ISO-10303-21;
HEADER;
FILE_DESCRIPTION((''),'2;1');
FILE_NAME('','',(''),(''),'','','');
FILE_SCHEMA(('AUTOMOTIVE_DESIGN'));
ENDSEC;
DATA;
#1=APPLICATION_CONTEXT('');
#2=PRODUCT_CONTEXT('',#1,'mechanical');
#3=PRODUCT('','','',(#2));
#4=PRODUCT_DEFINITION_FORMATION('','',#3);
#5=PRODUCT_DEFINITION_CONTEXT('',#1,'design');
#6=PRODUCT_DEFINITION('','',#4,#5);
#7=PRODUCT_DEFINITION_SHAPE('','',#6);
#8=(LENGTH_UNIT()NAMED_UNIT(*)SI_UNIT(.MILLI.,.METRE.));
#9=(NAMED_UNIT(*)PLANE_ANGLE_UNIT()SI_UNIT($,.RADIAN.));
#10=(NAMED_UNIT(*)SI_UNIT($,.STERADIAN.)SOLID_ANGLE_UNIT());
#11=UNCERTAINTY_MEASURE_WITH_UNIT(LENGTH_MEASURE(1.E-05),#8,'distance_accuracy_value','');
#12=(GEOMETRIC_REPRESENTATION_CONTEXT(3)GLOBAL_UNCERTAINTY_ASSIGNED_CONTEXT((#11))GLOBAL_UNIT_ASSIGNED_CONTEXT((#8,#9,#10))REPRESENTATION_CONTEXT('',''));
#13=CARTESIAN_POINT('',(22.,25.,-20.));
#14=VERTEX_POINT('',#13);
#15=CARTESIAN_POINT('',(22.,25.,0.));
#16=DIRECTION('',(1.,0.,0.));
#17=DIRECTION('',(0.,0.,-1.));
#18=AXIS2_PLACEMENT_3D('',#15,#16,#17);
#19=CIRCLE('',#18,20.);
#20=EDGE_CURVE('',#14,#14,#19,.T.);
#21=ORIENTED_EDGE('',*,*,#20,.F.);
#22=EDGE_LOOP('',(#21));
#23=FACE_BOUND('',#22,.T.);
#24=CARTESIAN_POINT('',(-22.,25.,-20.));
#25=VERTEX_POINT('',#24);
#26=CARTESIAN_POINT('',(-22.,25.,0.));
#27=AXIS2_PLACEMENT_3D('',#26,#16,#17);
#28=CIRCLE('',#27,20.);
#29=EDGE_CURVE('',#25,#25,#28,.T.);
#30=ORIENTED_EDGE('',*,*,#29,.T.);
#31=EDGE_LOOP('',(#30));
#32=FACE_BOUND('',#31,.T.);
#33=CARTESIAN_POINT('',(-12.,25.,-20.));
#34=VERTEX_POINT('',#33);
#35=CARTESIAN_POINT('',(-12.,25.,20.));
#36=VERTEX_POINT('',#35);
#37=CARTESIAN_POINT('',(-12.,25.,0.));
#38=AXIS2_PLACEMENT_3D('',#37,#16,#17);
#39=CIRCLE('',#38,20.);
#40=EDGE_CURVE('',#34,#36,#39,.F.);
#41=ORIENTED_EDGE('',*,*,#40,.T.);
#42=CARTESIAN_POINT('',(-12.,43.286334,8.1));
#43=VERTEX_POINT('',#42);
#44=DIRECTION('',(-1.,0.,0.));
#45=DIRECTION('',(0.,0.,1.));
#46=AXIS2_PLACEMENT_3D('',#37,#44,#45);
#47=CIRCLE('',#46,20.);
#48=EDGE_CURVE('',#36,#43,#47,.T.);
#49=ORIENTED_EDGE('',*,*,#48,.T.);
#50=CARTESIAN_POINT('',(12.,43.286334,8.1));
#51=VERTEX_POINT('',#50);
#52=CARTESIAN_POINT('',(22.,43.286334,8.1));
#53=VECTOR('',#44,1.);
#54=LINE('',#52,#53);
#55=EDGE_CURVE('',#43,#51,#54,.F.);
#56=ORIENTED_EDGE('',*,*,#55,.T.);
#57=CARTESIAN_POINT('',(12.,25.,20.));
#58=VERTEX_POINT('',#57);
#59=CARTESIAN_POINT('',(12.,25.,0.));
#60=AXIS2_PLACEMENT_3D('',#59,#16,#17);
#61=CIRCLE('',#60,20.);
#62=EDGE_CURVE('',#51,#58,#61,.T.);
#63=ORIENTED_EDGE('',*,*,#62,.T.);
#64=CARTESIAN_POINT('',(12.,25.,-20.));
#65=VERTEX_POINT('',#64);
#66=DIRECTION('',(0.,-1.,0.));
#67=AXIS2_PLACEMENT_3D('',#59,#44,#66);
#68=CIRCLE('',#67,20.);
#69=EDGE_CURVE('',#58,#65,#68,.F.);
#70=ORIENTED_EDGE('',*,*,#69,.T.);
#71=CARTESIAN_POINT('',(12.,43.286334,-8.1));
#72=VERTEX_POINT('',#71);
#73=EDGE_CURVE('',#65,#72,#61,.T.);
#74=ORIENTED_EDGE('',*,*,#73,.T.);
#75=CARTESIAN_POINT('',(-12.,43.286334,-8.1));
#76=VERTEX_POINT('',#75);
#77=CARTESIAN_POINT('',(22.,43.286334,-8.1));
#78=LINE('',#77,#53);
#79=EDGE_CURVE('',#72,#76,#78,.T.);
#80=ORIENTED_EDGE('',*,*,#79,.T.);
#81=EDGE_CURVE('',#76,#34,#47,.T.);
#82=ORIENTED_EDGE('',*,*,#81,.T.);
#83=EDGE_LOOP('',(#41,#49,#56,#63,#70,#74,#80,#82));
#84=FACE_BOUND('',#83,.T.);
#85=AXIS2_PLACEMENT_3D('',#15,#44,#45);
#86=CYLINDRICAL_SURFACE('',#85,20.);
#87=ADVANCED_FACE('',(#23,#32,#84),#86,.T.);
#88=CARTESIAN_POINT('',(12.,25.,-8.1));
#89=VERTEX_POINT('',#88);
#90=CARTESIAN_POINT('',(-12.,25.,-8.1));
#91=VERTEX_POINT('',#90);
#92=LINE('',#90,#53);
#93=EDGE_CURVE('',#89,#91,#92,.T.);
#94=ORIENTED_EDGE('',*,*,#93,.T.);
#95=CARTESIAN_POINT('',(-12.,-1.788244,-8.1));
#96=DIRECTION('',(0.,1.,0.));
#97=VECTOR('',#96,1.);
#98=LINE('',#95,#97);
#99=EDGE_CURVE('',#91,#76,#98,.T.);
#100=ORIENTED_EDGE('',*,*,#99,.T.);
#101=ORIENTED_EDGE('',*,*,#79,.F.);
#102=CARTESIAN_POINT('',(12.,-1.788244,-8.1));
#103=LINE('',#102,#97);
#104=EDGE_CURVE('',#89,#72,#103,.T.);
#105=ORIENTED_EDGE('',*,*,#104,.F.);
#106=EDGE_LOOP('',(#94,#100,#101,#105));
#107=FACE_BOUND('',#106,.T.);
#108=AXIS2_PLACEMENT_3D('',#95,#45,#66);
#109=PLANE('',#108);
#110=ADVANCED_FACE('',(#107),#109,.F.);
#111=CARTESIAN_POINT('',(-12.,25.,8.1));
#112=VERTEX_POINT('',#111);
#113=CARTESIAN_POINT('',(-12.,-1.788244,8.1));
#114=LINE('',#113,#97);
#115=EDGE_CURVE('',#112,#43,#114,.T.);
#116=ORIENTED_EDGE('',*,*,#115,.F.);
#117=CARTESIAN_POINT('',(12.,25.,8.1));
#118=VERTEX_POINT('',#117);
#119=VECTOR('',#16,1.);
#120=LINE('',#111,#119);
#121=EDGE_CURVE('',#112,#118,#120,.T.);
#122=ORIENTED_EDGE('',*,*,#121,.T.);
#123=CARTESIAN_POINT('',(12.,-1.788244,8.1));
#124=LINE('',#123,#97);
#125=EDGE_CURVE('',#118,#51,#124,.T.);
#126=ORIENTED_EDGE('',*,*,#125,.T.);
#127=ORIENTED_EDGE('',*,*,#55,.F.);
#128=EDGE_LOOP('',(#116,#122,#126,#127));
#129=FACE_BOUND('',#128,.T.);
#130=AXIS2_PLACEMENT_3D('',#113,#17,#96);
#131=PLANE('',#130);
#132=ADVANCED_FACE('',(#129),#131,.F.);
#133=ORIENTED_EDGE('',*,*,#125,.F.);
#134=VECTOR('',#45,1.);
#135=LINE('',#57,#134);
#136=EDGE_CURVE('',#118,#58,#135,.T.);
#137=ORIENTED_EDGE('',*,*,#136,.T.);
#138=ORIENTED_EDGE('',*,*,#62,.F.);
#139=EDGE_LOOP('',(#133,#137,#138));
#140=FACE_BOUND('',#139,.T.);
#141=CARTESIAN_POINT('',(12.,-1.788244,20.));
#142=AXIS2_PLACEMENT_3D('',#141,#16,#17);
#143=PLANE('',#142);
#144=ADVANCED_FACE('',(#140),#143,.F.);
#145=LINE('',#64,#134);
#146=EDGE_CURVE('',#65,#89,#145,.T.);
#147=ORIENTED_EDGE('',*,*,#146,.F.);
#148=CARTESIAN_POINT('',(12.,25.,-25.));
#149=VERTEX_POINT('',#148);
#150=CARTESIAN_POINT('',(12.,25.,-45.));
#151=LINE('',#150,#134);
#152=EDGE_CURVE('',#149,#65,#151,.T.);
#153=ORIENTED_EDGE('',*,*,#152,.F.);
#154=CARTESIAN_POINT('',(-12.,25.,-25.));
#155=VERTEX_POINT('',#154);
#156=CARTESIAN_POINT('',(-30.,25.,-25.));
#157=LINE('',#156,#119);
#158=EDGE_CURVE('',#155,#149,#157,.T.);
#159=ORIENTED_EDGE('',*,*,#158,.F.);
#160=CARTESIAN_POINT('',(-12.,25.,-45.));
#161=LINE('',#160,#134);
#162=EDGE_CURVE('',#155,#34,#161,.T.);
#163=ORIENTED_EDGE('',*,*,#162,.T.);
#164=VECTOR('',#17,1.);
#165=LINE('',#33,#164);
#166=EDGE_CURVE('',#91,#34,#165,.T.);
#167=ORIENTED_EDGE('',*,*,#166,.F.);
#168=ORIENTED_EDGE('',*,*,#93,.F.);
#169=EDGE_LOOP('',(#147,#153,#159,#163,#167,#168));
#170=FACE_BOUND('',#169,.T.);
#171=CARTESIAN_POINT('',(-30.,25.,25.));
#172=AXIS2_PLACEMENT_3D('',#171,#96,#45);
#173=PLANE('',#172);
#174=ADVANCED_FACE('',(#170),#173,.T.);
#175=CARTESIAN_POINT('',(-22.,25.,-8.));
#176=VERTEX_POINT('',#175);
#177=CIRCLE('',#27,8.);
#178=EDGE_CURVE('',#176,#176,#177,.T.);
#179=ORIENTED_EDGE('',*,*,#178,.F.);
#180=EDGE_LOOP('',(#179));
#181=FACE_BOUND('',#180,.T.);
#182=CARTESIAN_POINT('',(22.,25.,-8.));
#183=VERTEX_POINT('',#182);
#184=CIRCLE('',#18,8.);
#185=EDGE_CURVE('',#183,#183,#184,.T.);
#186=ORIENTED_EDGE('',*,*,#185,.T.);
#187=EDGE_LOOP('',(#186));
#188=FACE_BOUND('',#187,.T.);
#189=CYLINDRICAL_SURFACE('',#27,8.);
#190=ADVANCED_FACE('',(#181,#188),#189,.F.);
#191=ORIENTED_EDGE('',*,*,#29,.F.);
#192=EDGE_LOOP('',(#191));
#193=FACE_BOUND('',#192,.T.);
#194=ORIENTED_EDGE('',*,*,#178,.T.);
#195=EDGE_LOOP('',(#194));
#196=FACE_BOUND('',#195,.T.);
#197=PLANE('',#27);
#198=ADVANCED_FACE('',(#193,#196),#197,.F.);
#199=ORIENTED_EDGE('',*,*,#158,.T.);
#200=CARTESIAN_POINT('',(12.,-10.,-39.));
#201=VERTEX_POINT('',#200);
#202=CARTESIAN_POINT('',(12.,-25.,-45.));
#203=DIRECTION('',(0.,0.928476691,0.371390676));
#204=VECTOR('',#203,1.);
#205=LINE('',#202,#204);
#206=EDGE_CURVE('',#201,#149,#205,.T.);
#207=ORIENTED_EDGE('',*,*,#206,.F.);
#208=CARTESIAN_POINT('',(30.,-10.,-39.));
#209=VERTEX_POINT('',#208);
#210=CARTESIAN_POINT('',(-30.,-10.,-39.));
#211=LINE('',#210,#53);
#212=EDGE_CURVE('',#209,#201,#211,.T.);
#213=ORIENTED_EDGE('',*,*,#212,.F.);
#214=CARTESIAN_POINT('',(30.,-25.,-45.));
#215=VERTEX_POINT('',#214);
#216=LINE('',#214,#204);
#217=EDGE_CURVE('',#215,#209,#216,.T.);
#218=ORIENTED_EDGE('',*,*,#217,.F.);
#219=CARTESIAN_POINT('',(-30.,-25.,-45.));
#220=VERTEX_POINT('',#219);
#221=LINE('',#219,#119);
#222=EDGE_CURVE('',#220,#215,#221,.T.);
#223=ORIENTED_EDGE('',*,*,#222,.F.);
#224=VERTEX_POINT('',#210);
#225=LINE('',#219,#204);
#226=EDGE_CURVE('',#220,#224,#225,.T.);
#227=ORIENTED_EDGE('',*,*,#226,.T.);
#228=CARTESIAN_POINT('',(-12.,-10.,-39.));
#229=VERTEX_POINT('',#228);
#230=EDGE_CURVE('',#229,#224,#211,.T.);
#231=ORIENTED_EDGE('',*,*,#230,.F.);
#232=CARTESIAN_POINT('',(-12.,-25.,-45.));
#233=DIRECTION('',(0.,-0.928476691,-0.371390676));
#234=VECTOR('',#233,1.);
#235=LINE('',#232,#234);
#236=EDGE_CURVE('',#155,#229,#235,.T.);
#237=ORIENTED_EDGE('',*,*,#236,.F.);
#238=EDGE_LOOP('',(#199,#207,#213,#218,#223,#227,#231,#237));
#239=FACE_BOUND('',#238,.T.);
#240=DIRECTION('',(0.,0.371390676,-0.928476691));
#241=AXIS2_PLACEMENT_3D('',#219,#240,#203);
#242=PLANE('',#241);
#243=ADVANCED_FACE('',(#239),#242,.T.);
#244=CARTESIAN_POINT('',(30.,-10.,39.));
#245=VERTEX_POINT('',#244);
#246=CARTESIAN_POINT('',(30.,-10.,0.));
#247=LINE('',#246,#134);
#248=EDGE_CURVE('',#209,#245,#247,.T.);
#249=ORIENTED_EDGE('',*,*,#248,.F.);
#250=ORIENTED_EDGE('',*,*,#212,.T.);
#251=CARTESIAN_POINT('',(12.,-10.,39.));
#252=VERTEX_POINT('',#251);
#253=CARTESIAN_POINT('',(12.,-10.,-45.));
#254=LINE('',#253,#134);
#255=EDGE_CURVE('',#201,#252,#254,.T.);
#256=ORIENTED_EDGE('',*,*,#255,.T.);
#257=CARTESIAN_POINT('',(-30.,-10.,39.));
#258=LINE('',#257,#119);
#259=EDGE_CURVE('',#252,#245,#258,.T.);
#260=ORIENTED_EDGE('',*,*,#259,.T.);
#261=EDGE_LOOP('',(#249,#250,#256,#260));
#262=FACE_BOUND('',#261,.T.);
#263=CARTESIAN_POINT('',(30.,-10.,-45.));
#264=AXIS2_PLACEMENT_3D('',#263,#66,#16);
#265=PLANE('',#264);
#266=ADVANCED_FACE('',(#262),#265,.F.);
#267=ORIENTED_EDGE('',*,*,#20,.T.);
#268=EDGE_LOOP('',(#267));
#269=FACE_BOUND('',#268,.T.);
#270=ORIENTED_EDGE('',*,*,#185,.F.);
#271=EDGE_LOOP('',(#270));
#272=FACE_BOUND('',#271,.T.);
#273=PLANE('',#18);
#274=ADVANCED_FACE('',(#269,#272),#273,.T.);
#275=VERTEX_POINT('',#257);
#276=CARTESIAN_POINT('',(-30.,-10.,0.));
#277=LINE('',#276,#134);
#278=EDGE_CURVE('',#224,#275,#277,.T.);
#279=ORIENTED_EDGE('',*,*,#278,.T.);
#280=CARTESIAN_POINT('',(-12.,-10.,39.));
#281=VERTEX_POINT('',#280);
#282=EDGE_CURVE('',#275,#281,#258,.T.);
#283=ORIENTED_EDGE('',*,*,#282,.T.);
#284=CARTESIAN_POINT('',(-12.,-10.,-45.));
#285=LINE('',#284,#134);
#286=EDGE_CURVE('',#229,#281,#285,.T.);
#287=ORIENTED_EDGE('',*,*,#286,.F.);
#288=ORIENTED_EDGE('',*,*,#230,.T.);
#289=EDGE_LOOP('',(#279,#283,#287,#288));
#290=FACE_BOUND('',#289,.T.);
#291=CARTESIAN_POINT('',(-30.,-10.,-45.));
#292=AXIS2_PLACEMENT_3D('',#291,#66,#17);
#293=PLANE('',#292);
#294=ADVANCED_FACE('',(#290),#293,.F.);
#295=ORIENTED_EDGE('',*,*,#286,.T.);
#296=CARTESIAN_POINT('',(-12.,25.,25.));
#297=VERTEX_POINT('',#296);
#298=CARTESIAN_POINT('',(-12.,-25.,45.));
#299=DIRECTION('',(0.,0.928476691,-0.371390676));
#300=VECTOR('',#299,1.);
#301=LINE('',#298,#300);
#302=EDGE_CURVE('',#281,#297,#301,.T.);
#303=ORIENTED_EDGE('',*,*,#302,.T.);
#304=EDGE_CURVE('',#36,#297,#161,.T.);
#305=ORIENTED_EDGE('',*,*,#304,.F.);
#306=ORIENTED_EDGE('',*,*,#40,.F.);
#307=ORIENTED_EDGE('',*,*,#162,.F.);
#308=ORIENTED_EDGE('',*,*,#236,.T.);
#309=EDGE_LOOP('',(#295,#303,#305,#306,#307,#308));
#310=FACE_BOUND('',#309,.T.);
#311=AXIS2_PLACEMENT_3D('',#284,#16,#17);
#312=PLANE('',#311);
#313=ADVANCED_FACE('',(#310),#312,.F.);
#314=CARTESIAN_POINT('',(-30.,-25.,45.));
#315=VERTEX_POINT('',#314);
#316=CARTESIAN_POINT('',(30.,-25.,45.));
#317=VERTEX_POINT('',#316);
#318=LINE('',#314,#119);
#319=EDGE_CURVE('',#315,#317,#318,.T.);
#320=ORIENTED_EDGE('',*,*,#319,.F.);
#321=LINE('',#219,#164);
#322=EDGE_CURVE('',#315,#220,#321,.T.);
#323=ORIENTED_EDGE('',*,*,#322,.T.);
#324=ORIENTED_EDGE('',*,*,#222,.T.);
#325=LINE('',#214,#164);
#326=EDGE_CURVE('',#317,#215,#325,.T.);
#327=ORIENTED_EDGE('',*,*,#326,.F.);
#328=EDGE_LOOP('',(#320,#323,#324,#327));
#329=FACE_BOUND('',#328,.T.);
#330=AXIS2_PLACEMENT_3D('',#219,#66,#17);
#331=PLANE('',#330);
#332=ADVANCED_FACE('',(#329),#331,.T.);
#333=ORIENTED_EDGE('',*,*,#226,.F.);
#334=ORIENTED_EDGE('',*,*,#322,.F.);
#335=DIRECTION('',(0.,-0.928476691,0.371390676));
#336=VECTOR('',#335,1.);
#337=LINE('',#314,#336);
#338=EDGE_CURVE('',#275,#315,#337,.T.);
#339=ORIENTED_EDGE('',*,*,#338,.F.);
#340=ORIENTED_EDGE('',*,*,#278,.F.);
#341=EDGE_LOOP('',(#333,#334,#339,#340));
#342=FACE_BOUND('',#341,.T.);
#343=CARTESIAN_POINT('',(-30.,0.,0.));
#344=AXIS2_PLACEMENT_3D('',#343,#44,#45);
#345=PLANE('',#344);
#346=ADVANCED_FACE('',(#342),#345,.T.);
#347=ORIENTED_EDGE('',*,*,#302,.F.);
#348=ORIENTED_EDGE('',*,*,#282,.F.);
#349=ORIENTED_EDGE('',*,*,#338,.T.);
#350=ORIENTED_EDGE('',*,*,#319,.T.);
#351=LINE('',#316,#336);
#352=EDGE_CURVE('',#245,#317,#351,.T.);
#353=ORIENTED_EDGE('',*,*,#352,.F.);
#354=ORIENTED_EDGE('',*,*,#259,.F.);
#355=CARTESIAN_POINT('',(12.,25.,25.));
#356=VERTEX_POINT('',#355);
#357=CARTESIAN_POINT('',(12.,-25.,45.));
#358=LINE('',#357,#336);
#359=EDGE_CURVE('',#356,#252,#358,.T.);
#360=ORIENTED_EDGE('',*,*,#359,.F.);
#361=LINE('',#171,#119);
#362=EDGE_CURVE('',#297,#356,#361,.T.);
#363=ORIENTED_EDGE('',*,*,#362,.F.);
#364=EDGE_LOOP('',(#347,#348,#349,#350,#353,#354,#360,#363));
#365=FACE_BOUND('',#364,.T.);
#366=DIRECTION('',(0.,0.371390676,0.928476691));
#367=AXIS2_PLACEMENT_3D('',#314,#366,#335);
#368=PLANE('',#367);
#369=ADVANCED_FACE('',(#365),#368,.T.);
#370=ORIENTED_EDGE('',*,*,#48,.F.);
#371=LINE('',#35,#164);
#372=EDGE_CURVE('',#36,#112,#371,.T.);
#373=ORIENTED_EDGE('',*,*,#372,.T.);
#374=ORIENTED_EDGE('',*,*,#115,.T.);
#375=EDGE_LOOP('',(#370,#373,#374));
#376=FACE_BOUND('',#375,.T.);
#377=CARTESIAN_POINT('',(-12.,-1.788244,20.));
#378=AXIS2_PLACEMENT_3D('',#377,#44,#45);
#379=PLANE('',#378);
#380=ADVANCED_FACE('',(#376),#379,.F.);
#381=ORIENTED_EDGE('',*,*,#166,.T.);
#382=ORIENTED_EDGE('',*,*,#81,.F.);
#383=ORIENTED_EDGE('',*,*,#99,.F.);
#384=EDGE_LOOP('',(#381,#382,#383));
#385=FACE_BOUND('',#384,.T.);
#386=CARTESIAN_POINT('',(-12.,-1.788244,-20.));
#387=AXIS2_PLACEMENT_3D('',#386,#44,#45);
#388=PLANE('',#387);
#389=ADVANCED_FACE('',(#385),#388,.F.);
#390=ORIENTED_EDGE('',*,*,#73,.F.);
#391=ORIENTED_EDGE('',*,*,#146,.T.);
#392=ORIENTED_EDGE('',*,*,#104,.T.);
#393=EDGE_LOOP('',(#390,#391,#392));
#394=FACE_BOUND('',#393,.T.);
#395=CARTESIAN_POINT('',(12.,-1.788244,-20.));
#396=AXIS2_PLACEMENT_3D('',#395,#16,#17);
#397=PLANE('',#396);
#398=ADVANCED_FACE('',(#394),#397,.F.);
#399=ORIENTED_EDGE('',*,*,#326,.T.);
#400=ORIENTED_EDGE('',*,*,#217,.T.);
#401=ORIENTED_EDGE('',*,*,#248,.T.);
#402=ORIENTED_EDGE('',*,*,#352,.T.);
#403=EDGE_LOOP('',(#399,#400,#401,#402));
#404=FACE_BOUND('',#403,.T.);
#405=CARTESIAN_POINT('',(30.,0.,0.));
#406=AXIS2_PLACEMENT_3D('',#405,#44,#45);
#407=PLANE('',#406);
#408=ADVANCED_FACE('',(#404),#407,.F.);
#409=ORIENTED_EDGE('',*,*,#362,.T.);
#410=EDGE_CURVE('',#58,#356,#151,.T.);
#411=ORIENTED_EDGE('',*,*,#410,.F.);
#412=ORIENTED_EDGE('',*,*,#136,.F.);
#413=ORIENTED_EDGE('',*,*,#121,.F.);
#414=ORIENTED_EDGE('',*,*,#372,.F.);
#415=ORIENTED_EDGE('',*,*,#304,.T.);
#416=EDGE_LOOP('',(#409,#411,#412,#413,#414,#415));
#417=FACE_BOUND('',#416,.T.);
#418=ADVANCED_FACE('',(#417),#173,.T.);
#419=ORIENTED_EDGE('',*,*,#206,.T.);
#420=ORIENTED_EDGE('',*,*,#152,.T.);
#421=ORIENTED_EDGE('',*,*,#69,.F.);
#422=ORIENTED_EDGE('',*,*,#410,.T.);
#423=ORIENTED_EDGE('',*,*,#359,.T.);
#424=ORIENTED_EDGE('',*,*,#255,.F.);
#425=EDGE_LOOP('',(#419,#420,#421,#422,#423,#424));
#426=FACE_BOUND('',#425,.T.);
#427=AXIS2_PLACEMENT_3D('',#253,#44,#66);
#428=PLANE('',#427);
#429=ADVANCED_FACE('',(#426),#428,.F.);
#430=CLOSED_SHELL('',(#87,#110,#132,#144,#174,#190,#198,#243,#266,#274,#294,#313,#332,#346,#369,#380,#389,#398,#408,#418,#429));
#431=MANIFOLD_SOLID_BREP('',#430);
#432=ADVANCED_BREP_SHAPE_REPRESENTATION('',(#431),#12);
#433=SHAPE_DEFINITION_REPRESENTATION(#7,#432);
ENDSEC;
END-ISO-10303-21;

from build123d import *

# Parameters (mm, degrees)
SALIENTE_EXTRUIR1_DEPTH = 30
CROQUIS2_W              = 18
CROQUIS2_H              = 35
CORTAR_EXTRUIR1_DEPTH   = 99.107084352
CROQUIS3_R              = 20
SALIENTE_EXTRUIR3_DEPTH = 22
CROQUIS3_4_R            = 8
CORTAR_EXTRUIR2_DEPTH   = 22
CROQUIS4_W              = 24
CROQUIS4_H              = 11.9
CORTAR_EXTRUIR6_DEPTH   = 20


with BuildPart() as part:
    # Croquis1 → Saliente-Extruir1 (new, symmetric)
    with BuildSketch(Plane(origin=(0, 0, 0), x_dir=(0, 0, -1), z_dir=(1, 0, 0))):
        Polygon((45, -25), (-45, -25), (-25, 25), (25, 25), align=None)
    extrude(amount=SALIENTE_EXTRUIR1_DEPTH, both=True)

    # Croquis2 → Cortar-Extruir1 (cut, through all)
    with BuildSketch(Plane.XY.offset(45)):
        with Locations((-21, 7.5)):
            Rectangle(CROQUIS2_W, CROQUIS2_H)
        with Locations((21, 7.5)):
            Rectangle(CROQUIS2_W, CROQUIS2_H)
    extrude(amount=-CORTAR_EXTRUIR1_DEPTH, mode=Mode.SUBTRACT)

    # Croquis3 → Saliente-Extruir3 (add, symmetric)
    with BuildSketch(Plane(origin=(0, 0, 0), x_dir=(0, 0, -1), z_dir=(1, 0, 0))):
        with Locations((0, 25)):
            Circle(CROQUIS3_R)
    extrude(amount=SALIENTE_EXTRUIR3_DEPTH, both=True)

    # Croquis3<4> → Cortar-Extruir2 (cut, symmetric)
    with BuildSketch(Plane(origin=(0, 0, 0), x_dir=(0, 0, -1), z_dir=(1, 0, 0))):
        with Locations((0, 25)):
            Circle(CROQUIS3_4_R)
    extrude(amount=CORTAR_EXTRUIR2_DEPTH, both=True, mode=Mode.SUBTRACT)

    # Croquis4 → Cortar-Extruir6 (cut)
    with BuildSketch(Plane(origin=(0, 45, 0), x_dir=(1, 0, 0), z_dir=(0, 1, 0))):
        with Locations((0, 14.05)):
            Rectangle(CROQUIS4_W, CROQUIS4_H)
        with Locations((0, -14.05)):
            Rectangle(CROQUIS4_W, CROQUIS4_H)
    extrude(amount=-CORTAR_EXTRUIR6_DEPTH, mode=Mode.SUBTRACT)


solid = part.part
